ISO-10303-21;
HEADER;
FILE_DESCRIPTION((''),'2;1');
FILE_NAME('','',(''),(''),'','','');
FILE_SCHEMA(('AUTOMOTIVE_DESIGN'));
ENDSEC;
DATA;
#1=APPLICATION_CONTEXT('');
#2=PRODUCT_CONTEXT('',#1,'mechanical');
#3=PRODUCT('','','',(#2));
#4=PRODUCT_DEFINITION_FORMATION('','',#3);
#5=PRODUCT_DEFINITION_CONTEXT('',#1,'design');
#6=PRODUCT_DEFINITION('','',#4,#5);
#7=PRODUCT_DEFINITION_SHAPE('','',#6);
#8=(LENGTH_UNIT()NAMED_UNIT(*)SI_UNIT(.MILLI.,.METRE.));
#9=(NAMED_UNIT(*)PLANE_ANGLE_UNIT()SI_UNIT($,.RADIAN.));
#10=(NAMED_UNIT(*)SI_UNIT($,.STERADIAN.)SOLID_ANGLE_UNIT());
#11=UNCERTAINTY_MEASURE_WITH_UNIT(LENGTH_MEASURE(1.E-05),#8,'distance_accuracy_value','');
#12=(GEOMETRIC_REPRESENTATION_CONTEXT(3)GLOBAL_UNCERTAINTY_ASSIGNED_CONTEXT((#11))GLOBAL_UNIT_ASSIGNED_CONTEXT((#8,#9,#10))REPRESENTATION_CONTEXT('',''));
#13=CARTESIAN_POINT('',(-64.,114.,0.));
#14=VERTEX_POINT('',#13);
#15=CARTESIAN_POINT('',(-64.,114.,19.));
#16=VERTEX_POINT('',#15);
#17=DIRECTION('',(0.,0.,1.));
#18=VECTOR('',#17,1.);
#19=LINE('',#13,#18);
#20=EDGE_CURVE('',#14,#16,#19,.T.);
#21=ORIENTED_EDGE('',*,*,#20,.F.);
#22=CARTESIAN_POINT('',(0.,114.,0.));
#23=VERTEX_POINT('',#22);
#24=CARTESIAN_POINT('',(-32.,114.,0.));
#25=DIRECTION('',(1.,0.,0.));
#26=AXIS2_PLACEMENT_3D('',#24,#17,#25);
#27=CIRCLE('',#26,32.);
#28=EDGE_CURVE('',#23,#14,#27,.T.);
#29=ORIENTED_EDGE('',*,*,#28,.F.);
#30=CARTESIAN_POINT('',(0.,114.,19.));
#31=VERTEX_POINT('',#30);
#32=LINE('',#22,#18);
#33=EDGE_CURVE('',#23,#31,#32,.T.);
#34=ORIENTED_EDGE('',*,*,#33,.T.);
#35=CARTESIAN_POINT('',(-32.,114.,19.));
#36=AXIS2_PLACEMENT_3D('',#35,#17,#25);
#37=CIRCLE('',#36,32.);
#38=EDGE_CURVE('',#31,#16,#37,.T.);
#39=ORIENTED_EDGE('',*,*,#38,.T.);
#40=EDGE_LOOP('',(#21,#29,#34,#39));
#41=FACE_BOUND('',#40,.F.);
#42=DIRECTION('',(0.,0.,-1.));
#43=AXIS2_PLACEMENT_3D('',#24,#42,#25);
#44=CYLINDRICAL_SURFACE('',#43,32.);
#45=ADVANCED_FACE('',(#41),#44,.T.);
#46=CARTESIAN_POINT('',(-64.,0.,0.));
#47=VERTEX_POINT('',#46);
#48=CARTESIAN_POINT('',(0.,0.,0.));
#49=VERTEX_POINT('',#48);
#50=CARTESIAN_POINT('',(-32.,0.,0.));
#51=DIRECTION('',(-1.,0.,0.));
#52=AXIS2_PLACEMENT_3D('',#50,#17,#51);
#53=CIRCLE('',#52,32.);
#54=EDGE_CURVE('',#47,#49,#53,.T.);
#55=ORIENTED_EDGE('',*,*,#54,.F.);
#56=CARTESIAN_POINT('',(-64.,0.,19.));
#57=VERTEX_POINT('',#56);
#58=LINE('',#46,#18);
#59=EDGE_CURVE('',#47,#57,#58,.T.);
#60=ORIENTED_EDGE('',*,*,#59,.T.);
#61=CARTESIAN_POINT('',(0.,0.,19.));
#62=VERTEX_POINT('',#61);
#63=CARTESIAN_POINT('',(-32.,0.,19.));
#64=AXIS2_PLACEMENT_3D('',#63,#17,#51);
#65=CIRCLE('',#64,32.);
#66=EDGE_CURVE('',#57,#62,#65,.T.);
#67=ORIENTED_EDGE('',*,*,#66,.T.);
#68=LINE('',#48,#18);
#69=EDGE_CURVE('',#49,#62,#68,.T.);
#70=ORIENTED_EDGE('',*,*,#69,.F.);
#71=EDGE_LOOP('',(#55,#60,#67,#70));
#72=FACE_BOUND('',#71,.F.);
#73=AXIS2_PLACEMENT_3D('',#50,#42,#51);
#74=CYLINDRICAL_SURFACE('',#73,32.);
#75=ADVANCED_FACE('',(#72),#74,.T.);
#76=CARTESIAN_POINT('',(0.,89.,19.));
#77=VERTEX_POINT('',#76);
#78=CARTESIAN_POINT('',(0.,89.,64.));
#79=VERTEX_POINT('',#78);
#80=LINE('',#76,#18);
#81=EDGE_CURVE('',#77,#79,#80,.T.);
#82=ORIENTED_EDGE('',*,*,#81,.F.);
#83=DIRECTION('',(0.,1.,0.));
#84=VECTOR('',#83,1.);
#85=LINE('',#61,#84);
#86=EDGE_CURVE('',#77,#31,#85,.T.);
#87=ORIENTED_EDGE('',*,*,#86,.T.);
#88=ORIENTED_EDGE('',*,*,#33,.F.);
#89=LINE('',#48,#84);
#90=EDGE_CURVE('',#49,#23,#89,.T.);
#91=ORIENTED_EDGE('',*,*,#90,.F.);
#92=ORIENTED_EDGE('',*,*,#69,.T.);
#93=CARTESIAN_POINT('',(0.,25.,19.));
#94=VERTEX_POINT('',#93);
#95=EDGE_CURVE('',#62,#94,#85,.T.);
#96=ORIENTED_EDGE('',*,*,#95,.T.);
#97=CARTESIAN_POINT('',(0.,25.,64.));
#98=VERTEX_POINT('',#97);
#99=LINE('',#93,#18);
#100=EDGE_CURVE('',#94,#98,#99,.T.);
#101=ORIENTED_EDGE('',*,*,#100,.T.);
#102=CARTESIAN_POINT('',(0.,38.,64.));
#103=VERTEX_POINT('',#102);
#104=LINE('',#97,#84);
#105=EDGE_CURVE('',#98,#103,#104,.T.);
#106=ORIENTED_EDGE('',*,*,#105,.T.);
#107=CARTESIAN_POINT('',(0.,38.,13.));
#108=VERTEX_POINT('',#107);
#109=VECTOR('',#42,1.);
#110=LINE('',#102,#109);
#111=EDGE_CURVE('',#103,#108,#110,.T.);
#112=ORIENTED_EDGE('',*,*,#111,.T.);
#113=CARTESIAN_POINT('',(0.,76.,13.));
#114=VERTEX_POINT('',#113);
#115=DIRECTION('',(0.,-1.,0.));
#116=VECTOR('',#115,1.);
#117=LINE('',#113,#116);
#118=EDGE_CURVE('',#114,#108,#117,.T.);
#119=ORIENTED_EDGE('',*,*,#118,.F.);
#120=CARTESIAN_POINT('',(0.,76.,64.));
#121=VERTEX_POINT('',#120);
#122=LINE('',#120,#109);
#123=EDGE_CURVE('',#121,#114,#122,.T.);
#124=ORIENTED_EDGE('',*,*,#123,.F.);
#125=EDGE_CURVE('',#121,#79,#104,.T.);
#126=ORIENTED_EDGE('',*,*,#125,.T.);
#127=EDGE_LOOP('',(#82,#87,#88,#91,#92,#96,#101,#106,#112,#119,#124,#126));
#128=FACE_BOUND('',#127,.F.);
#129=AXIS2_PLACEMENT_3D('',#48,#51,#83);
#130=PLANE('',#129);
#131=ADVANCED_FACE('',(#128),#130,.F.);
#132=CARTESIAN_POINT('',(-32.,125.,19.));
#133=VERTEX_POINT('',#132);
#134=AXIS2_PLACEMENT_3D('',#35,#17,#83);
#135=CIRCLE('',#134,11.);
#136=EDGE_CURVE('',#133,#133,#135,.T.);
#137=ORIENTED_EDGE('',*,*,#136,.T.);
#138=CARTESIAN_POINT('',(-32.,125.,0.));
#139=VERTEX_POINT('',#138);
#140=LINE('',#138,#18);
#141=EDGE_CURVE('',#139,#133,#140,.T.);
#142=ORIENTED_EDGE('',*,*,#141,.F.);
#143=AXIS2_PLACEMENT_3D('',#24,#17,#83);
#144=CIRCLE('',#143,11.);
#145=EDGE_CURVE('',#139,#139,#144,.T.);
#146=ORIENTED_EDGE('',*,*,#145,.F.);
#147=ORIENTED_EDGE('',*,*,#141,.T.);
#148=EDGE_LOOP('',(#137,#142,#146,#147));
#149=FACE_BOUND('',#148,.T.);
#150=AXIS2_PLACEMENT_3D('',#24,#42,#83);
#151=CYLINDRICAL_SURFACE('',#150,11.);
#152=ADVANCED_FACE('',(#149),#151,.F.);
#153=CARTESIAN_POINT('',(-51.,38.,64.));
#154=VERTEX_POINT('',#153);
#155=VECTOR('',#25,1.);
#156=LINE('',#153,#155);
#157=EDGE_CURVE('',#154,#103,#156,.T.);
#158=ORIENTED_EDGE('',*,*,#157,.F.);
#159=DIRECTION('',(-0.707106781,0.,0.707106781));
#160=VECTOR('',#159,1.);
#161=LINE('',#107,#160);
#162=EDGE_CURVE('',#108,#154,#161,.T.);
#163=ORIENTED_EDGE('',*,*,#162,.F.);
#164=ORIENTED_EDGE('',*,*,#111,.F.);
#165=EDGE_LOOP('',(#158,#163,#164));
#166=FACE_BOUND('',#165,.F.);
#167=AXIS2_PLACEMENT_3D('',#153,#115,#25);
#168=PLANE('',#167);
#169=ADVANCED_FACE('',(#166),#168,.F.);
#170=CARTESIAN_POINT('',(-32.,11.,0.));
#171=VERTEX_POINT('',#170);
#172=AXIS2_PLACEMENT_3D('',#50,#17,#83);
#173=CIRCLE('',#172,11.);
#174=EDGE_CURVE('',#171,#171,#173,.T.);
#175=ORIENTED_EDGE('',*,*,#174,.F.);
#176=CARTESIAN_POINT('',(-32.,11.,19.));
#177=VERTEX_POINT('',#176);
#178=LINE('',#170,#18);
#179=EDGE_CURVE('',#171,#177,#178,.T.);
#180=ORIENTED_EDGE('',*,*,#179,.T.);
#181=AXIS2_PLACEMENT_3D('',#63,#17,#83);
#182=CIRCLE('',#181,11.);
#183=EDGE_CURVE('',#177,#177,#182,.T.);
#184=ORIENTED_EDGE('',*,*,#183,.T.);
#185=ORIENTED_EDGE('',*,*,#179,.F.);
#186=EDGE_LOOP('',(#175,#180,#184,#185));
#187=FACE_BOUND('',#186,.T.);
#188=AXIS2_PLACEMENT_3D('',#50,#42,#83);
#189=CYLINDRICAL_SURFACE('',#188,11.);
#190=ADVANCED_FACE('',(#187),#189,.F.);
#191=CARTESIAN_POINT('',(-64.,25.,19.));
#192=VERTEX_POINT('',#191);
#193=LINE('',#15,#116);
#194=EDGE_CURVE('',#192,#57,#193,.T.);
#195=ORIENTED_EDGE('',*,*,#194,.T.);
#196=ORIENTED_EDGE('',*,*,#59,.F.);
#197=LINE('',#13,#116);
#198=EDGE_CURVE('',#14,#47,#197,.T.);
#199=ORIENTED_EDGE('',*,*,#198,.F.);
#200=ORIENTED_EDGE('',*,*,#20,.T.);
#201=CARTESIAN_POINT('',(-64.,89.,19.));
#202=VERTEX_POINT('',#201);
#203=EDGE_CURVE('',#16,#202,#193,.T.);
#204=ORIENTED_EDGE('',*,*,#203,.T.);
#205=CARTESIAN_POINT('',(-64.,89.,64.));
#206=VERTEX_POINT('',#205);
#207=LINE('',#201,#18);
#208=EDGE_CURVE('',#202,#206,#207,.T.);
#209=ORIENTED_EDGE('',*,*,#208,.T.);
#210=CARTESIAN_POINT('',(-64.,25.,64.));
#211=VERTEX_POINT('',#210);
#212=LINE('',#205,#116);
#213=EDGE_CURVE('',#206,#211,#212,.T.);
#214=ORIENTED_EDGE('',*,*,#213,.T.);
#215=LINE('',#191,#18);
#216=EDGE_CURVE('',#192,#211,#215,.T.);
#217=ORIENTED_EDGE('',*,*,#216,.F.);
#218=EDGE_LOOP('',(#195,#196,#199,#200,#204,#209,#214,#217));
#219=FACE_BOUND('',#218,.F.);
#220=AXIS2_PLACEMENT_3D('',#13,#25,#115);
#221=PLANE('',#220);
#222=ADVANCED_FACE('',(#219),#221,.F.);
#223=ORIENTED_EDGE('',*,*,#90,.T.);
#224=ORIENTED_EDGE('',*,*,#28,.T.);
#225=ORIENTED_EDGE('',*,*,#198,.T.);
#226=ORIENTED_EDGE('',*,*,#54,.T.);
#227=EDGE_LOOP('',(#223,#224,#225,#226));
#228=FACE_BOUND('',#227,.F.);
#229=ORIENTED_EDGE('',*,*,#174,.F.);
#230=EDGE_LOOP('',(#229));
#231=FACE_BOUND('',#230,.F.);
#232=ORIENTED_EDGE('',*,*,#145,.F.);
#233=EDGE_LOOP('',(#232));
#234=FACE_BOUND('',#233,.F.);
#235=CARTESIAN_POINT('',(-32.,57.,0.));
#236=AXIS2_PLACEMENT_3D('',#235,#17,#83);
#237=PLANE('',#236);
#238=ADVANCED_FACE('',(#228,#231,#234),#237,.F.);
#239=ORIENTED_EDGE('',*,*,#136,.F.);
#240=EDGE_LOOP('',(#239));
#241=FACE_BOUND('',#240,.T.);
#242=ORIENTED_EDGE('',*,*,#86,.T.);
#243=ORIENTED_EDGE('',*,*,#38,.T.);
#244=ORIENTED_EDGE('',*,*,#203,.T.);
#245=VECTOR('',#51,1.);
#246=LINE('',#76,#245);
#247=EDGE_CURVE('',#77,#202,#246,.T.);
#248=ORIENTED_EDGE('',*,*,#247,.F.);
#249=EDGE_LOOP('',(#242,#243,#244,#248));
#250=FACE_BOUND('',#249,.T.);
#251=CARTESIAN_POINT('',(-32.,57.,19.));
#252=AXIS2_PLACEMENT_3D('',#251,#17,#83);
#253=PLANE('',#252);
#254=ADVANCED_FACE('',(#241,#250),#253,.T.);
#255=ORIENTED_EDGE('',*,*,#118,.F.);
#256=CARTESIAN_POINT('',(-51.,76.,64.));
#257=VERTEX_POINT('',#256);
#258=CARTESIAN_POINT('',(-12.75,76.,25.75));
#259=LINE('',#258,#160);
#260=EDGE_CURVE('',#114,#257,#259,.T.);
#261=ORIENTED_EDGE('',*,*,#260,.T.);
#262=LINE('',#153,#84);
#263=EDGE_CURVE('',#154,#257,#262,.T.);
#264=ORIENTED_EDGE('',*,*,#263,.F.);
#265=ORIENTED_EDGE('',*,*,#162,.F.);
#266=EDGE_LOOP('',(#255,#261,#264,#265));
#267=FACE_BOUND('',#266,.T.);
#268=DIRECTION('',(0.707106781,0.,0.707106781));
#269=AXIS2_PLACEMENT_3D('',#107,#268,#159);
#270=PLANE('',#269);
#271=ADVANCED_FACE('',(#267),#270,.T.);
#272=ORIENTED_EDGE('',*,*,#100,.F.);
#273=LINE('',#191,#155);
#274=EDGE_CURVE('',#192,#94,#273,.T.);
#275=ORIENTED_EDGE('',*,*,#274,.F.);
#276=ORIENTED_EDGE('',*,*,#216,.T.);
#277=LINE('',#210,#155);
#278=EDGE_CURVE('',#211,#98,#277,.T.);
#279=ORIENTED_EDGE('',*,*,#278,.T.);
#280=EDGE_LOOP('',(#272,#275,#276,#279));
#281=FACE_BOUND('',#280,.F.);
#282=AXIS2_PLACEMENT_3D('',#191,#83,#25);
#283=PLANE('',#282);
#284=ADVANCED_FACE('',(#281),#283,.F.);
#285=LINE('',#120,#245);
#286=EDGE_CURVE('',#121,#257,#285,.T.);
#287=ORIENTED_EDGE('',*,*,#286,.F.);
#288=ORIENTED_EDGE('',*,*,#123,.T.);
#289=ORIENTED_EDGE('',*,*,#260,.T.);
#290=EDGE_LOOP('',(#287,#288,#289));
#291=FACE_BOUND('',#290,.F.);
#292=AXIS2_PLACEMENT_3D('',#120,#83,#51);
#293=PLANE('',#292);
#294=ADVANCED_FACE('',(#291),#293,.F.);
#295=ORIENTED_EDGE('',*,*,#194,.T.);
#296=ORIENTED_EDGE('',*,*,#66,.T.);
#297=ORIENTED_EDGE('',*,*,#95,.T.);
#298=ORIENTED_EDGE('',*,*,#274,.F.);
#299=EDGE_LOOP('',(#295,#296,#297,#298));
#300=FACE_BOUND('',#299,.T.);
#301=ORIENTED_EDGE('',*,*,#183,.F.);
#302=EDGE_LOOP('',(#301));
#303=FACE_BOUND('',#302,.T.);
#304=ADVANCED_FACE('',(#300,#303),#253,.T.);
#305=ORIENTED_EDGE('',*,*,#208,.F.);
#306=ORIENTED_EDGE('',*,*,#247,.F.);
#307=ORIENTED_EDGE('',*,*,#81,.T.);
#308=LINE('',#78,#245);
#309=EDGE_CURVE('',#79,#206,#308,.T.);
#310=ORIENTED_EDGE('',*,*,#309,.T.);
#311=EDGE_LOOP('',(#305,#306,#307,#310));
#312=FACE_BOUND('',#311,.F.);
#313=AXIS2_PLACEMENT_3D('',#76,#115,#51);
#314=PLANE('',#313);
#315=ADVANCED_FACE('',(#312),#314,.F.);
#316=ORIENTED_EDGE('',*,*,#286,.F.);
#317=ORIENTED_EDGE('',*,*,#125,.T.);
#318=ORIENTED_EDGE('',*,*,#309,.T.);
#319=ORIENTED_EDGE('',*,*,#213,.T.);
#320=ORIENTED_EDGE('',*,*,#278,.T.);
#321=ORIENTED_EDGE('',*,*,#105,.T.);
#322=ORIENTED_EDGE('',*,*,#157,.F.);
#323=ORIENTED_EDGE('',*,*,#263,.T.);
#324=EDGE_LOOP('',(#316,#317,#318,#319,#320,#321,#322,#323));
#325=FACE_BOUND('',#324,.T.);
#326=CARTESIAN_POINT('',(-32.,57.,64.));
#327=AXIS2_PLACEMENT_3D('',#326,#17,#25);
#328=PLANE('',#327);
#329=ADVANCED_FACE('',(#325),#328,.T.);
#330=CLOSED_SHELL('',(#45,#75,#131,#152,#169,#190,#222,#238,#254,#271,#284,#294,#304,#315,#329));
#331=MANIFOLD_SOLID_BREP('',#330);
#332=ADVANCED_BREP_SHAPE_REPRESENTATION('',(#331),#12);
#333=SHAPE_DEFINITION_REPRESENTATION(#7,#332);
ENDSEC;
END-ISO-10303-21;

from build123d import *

# Parameters (mm, degrees)
SKETCH1_R           = 11
BOSS_EXTRUDE1_DEPTH = 19
BOSS_EXTRUDE2_DEPTH = 45
CUT_EXTRUDE1_DEPTH  = 51
BOSS_EXTRUDE3_REACH = 110


with BuildPart() as part:
    # Sketch1 → Boss-Extrude1 (new body)
    with BuildSketch(Plane(origin=(0, 0, 0), x_dir=(0, 1, 0), z_dir=(0, 0, 1))):
        with BuildLine():
            Line((0, 0), (114, 0))
            ThreePointArc((114, 0), (146, 32), (114, 64))
            Line((114, 64), (0, 64))
            ThreePointArc((0, 64), (-32, 32), (0, 0))
        make_face()
        with Locations((0, 32)):
            Circle(SKETCH1_R, mode=Mode.SUBTRACT)
        with Locations((114, 32)):
            Circle(SKETCH1_R, mode=Mode.SUBTRACT)
    extrude(amount=BOSS_EXTRUDE1_DEPTH)

    # Sketch2 → Boss-Extrude2 (add)
    with BuildSketch(Plane.XY.offset(19)):
        Polygon((0, 57), (0, 89), (-64, 89), (-64, 25), (0, 25), align=None)
    extrude(amount=BOSS_EXTRUDE2_DEPTH)

    # Sketch3 → Cut-Extrude1 (cut)
    with BuildSketch(Plane.XY.offset(64)):
        Polygon((-13, 76), (0, 76), (0, 38), (-13, 38), (-51, 38), (-51, 76), align=None)
    extrude(amount=-CUT_EXTRUDE1_DEPTH, mode=Mode.SUBTRACT)

    # Sketch4 → Boss-Extrude3 (add, up to next)
    with BuildSketch(Plane(origin=(0, 38, 0), x_dir=(1, 0, 0), z_dir=(0, 1, 0)), mode=Mode.PRIVATE) as boss_extrude3_sk1:
        Polygon((0, -13), (-51, -64), (-51, -13), align=None)
    boss_extrude3_tool1 = extrude(boss_extrude3_sk1.sketch, amount=BOSS_EXTRUDE3_REACH, mode=Mode.PRIVATE) - part.part
    add(boss_extrude3_tool1.solids().sort_by_distance((-34, 38, 30))[0])


solid = part.part
